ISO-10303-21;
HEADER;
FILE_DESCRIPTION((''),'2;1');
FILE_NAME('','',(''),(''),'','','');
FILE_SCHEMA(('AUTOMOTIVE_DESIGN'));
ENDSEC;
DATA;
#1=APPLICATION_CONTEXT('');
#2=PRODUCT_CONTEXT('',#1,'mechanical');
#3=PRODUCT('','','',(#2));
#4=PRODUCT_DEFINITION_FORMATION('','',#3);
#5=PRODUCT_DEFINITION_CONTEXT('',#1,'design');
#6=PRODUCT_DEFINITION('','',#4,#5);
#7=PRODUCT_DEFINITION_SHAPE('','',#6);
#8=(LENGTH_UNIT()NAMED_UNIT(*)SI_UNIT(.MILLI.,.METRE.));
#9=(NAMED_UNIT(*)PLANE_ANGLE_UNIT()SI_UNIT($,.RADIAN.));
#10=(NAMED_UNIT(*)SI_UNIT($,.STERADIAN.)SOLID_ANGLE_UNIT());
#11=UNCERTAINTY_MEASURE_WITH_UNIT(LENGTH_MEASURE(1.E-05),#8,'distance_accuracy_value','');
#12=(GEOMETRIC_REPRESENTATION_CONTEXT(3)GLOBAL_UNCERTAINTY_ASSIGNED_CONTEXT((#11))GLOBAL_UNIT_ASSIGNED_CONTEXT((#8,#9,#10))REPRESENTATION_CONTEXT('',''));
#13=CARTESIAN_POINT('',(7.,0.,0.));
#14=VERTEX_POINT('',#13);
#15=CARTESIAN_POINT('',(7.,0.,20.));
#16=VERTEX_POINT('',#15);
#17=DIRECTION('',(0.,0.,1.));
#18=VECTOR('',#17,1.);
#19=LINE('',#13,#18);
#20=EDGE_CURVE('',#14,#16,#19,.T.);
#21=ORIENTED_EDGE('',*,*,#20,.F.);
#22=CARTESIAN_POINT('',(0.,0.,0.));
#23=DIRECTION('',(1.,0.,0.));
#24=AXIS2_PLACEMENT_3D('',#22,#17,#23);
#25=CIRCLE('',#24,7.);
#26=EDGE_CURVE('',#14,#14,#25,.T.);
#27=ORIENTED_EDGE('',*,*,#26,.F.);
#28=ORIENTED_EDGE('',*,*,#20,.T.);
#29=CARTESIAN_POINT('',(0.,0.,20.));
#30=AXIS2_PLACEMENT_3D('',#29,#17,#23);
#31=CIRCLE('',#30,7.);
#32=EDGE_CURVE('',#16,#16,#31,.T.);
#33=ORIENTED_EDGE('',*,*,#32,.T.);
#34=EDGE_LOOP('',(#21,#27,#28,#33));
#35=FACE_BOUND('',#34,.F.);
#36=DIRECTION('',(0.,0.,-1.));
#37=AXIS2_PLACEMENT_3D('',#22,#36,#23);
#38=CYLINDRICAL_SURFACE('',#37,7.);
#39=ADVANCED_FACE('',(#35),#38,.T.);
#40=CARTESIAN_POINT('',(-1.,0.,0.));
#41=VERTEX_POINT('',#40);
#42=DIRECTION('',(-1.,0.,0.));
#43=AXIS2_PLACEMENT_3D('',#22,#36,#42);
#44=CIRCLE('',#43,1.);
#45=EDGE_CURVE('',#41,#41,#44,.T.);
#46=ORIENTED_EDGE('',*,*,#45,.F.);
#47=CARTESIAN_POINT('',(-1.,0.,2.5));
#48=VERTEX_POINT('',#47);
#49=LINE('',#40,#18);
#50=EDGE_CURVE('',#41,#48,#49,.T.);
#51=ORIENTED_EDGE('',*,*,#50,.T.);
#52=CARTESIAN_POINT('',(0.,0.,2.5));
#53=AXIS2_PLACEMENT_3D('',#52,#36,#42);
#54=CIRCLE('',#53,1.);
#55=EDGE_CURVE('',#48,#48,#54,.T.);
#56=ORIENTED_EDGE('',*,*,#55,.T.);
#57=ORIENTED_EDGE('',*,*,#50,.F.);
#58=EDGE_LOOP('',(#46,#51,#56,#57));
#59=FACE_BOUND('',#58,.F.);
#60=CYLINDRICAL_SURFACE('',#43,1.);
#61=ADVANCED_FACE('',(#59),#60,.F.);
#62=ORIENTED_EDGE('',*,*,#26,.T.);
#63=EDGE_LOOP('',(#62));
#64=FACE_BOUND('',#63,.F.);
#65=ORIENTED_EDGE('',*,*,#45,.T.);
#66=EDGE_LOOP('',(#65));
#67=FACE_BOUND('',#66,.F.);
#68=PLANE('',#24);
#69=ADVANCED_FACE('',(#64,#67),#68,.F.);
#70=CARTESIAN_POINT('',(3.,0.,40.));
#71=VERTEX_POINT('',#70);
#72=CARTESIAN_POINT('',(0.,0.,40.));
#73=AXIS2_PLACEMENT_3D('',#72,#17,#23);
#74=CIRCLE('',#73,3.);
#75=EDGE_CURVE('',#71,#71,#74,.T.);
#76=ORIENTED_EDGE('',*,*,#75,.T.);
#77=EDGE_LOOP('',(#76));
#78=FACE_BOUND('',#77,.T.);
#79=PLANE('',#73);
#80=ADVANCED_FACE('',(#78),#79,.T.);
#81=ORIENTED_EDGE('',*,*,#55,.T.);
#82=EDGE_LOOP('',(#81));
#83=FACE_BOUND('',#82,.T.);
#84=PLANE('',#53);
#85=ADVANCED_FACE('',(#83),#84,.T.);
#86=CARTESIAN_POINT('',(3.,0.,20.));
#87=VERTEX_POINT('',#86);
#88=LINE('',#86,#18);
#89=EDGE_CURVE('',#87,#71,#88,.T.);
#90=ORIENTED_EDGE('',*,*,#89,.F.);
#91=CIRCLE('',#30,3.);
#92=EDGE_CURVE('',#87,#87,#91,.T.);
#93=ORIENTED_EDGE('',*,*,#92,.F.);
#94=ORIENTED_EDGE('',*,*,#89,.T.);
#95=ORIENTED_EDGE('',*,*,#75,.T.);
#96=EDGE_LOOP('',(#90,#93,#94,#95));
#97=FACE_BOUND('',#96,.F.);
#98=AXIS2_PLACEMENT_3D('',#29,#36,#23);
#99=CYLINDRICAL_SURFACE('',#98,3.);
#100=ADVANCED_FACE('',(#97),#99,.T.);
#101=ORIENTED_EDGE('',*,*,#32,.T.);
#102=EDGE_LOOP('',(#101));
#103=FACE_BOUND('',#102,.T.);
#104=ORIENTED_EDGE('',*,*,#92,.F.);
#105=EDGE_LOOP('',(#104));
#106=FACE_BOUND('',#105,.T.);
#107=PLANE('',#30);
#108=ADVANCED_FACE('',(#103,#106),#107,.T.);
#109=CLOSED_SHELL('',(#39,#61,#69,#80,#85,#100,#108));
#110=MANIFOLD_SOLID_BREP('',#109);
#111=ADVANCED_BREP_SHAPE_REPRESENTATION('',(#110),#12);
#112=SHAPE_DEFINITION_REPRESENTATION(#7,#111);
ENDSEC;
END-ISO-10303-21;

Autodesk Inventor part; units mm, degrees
ref_plane "YZ Plane" through (0, 0, 0) normal (1, 0, 0) x (0, 1, 0)
ref_plane "XZ Plane" through (0, 0, 0) normal (0, 1, 0) x (-1, 0, 0)
ref_plane "XY Plane" through (0, 0, 0) normal (0, 0, 1) x (1, 0, 0)
sketch "Boceto1" plane through (0, 0, 0) normal (0, 0, 1) x (1, 0, 0)
  circle A0 centre (0, 0) radius 7
  dimension "d0" = 14
extrude "Extrusión1" add sketch "Boceto1" along normal blind 20
sketch "Boceto2" plane through (0, 0, 0) normal (0, 0, -1) x (-1, 0, 0)
  circle A0 centre (0, 0) radius 1
  dimension "d3" = 2
extrude "Extrusión2" cut sketch "Boceto2" against normal blind 2.5
sketch "Boceto3" plane through (0, 0, 20) normal (0, 0, 1) x (1, 0, 0)
  circle A0 centre (0, 0) radius 3
  dimension "d6" = 6
extrude "Extrusión3" add sketch "Boceto3" along normal blind 20
properties part number "pendulum_coupling"
